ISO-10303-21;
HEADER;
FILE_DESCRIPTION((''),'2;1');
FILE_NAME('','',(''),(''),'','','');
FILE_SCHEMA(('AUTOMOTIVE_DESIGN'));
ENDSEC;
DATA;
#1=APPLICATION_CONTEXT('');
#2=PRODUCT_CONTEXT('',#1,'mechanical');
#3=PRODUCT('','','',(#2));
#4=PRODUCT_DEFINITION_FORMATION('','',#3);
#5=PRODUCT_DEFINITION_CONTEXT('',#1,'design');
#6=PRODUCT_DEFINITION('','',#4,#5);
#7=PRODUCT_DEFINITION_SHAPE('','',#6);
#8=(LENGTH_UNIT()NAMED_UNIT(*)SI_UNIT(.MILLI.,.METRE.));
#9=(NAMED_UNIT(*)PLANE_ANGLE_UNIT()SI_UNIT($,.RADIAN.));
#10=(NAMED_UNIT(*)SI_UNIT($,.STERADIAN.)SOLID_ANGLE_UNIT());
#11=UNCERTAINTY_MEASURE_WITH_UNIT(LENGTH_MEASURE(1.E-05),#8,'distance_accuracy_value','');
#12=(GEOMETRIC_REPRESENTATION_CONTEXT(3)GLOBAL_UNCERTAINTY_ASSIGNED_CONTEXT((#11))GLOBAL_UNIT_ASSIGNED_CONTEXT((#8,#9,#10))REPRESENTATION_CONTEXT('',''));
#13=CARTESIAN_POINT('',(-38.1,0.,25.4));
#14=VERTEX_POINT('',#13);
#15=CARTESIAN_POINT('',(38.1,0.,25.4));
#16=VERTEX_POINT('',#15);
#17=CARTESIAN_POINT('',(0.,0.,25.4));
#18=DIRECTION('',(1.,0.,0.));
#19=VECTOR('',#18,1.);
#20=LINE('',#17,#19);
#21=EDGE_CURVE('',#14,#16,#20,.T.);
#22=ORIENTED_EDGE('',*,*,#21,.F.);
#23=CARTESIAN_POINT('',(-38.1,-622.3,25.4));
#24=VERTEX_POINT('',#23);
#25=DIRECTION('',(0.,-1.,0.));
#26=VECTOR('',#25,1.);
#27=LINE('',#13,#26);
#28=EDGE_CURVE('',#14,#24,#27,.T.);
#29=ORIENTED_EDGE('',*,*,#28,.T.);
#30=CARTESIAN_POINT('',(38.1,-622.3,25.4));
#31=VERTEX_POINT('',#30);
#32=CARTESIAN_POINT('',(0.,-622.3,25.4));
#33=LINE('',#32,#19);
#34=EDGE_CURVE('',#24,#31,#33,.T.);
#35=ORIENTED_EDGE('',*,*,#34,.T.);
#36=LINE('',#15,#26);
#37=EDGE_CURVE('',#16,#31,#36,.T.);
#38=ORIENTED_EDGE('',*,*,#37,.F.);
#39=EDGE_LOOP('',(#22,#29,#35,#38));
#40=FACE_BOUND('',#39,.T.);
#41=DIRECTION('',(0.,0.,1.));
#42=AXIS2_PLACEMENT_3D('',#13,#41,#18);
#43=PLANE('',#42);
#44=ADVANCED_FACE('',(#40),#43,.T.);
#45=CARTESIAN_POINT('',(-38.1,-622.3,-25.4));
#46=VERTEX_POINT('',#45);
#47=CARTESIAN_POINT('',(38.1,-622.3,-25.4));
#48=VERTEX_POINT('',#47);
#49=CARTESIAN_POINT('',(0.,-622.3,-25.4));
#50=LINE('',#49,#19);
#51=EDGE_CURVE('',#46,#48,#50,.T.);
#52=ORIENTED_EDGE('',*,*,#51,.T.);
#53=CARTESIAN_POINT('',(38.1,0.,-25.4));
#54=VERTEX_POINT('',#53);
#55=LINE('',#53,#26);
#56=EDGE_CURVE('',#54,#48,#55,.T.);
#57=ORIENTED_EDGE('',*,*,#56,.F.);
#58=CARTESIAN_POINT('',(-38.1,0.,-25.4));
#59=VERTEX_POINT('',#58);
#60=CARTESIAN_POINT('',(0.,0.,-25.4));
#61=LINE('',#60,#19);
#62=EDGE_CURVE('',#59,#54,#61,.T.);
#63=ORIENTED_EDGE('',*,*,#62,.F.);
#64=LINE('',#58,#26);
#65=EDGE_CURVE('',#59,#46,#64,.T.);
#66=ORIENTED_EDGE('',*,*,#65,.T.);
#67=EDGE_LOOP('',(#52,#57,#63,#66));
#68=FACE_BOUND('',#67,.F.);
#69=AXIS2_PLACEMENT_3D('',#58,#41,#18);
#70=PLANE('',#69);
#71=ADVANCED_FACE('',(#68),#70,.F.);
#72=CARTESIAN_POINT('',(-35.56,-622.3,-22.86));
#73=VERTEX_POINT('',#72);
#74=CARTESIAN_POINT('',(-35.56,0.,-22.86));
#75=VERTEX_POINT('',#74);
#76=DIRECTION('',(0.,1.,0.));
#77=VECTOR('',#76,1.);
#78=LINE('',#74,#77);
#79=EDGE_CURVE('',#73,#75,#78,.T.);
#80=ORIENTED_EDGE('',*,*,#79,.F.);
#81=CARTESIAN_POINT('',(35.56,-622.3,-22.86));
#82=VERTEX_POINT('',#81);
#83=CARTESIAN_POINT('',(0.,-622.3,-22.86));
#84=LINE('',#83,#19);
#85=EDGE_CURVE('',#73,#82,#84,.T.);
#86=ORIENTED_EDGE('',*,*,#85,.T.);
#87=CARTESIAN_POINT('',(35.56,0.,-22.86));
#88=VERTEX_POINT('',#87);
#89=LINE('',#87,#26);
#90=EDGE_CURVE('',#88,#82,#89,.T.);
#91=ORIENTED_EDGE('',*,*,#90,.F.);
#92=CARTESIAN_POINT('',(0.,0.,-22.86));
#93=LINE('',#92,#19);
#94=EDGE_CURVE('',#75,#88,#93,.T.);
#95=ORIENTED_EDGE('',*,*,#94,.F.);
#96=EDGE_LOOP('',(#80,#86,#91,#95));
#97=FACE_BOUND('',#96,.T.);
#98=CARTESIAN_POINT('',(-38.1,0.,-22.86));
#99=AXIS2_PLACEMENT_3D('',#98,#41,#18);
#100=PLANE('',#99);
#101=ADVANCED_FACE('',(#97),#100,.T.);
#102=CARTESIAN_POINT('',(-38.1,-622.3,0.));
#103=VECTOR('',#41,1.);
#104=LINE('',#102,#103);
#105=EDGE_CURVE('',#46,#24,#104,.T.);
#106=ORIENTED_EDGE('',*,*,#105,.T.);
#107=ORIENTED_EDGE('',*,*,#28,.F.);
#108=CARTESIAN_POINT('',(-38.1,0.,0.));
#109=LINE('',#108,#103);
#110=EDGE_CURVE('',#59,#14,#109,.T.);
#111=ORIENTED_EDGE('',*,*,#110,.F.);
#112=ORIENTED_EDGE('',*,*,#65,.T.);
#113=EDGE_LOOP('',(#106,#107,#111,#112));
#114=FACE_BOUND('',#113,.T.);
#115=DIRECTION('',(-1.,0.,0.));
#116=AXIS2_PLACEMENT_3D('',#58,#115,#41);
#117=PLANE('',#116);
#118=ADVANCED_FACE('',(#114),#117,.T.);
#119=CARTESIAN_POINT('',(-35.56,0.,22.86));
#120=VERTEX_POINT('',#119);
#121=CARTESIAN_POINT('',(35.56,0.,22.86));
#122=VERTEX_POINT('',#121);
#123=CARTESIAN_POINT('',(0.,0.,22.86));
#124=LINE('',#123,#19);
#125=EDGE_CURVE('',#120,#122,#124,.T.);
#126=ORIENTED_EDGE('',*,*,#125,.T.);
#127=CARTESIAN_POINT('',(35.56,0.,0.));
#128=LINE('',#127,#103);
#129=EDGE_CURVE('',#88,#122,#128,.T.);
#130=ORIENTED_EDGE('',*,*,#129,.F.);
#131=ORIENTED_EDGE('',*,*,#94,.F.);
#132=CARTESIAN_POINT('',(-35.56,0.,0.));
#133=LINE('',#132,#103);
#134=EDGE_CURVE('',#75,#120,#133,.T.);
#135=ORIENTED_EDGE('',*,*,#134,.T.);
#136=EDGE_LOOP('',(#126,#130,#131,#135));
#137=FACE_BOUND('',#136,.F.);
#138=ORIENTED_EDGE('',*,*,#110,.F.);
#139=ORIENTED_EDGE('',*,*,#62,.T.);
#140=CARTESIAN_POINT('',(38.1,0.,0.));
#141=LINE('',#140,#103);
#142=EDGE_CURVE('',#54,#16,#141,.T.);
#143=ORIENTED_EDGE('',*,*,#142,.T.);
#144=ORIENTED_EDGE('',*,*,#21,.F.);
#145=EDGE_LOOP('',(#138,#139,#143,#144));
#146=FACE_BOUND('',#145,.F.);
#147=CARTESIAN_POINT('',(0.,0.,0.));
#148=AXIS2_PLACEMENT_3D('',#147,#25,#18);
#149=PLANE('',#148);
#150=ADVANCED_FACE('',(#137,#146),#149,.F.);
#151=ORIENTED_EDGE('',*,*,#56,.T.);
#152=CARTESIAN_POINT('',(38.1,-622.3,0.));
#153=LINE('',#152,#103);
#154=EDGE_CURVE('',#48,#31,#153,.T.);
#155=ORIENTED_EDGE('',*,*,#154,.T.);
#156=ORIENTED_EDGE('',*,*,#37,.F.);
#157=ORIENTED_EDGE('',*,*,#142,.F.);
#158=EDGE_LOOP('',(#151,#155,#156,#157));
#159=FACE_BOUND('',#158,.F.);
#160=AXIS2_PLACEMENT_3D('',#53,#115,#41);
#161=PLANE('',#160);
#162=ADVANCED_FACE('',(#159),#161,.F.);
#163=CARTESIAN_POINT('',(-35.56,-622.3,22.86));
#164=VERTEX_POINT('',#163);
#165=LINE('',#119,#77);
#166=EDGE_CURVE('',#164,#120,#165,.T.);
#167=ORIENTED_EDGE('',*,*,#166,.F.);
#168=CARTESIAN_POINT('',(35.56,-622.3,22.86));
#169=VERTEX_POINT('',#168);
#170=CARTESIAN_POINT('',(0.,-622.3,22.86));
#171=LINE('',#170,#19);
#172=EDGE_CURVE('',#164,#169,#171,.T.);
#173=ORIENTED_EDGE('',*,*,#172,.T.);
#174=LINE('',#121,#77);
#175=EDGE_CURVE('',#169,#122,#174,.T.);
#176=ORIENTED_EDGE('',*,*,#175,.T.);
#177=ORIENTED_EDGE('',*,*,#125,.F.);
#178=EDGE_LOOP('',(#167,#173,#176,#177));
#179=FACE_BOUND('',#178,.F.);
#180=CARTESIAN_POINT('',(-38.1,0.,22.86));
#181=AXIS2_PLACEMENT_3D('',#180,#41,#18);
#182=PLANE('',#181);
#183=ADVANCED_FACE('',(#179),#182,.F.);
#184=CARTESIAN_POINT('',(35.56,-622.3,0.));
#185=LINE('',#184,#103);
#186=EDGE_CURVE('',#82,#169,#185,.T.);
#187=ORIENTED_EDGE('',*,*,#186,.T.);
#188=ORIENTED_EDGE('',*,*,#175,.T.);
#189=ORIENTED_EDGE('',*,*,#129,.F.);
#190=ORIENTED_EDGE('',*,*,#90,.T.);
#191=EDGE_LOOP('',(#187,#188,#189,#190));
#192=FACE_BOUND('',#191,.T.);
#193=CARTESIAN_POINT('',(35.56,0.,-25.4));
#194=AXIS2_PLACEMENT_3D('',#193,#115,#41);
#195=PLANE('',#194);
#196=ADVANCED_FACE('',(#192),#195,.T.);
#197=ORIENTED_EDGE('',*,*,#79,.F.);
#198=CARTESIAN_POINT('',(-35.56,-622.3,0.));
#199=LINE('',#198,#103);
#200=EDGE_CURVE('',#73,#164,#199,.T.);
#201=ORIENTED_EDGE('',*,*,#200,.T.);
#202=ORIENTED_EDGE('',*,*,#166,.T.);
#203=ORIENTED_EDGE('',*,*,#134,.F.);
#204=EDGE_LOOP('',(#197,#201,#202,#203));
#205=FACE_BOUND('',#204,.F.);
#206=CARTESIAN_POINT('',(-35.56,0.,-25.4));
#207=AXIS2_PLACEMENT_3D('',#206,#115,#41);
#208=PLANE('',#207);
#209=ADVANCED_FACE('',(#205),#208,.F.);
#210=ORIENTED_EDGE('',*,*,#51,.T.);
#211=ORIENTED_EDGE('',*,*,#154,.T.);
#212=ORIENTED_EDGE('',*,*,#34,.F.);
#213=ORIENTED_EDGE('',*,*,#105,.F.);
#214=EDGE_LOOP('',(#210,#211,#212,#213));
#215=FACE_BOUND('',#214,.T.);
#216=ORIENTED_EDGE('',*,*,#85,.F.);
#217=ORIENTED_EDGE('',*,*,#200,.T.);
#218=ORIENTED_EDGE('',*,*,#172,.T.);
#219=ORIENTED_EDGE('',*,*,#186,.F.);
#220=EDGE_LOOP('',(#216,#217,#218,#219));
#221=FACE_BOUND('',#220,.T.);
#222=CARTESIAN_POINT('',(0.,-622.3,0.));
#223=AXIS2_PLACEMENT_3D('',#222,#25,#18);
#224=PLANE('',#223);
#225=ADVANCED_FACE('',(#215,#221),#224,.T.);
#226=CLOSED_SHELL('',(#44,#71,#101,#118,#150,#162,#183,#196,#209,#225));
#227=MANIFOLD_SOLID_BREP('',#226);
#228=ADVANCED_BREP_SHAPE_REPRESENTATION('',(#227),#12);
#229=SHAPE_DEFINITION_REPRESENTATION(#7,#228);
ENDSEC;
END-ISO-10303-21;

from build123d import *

# Parameters (mm, degrees)
F0_W     = 76.2
F0_H     = 50.8
F1_DEPTH = 622.3
F2_T     = -2.54


with BuildPart() as f1:
    # F0 (on Front) → F1 (new body)
    with BuildSketch(Plane.XZ):
        Rectangle(F0_W, F0_H)
    extrude(amount=F1_DEPTH)

    # F2
    f2_openings = [f1.faces().sort_by_distance(p)[0] for p in [
        (0, 0, 0),
        (0, -622.3, 0),
    ]]
    offset(amount=F2_T, openings=f2_openings)


solid = f1.part
